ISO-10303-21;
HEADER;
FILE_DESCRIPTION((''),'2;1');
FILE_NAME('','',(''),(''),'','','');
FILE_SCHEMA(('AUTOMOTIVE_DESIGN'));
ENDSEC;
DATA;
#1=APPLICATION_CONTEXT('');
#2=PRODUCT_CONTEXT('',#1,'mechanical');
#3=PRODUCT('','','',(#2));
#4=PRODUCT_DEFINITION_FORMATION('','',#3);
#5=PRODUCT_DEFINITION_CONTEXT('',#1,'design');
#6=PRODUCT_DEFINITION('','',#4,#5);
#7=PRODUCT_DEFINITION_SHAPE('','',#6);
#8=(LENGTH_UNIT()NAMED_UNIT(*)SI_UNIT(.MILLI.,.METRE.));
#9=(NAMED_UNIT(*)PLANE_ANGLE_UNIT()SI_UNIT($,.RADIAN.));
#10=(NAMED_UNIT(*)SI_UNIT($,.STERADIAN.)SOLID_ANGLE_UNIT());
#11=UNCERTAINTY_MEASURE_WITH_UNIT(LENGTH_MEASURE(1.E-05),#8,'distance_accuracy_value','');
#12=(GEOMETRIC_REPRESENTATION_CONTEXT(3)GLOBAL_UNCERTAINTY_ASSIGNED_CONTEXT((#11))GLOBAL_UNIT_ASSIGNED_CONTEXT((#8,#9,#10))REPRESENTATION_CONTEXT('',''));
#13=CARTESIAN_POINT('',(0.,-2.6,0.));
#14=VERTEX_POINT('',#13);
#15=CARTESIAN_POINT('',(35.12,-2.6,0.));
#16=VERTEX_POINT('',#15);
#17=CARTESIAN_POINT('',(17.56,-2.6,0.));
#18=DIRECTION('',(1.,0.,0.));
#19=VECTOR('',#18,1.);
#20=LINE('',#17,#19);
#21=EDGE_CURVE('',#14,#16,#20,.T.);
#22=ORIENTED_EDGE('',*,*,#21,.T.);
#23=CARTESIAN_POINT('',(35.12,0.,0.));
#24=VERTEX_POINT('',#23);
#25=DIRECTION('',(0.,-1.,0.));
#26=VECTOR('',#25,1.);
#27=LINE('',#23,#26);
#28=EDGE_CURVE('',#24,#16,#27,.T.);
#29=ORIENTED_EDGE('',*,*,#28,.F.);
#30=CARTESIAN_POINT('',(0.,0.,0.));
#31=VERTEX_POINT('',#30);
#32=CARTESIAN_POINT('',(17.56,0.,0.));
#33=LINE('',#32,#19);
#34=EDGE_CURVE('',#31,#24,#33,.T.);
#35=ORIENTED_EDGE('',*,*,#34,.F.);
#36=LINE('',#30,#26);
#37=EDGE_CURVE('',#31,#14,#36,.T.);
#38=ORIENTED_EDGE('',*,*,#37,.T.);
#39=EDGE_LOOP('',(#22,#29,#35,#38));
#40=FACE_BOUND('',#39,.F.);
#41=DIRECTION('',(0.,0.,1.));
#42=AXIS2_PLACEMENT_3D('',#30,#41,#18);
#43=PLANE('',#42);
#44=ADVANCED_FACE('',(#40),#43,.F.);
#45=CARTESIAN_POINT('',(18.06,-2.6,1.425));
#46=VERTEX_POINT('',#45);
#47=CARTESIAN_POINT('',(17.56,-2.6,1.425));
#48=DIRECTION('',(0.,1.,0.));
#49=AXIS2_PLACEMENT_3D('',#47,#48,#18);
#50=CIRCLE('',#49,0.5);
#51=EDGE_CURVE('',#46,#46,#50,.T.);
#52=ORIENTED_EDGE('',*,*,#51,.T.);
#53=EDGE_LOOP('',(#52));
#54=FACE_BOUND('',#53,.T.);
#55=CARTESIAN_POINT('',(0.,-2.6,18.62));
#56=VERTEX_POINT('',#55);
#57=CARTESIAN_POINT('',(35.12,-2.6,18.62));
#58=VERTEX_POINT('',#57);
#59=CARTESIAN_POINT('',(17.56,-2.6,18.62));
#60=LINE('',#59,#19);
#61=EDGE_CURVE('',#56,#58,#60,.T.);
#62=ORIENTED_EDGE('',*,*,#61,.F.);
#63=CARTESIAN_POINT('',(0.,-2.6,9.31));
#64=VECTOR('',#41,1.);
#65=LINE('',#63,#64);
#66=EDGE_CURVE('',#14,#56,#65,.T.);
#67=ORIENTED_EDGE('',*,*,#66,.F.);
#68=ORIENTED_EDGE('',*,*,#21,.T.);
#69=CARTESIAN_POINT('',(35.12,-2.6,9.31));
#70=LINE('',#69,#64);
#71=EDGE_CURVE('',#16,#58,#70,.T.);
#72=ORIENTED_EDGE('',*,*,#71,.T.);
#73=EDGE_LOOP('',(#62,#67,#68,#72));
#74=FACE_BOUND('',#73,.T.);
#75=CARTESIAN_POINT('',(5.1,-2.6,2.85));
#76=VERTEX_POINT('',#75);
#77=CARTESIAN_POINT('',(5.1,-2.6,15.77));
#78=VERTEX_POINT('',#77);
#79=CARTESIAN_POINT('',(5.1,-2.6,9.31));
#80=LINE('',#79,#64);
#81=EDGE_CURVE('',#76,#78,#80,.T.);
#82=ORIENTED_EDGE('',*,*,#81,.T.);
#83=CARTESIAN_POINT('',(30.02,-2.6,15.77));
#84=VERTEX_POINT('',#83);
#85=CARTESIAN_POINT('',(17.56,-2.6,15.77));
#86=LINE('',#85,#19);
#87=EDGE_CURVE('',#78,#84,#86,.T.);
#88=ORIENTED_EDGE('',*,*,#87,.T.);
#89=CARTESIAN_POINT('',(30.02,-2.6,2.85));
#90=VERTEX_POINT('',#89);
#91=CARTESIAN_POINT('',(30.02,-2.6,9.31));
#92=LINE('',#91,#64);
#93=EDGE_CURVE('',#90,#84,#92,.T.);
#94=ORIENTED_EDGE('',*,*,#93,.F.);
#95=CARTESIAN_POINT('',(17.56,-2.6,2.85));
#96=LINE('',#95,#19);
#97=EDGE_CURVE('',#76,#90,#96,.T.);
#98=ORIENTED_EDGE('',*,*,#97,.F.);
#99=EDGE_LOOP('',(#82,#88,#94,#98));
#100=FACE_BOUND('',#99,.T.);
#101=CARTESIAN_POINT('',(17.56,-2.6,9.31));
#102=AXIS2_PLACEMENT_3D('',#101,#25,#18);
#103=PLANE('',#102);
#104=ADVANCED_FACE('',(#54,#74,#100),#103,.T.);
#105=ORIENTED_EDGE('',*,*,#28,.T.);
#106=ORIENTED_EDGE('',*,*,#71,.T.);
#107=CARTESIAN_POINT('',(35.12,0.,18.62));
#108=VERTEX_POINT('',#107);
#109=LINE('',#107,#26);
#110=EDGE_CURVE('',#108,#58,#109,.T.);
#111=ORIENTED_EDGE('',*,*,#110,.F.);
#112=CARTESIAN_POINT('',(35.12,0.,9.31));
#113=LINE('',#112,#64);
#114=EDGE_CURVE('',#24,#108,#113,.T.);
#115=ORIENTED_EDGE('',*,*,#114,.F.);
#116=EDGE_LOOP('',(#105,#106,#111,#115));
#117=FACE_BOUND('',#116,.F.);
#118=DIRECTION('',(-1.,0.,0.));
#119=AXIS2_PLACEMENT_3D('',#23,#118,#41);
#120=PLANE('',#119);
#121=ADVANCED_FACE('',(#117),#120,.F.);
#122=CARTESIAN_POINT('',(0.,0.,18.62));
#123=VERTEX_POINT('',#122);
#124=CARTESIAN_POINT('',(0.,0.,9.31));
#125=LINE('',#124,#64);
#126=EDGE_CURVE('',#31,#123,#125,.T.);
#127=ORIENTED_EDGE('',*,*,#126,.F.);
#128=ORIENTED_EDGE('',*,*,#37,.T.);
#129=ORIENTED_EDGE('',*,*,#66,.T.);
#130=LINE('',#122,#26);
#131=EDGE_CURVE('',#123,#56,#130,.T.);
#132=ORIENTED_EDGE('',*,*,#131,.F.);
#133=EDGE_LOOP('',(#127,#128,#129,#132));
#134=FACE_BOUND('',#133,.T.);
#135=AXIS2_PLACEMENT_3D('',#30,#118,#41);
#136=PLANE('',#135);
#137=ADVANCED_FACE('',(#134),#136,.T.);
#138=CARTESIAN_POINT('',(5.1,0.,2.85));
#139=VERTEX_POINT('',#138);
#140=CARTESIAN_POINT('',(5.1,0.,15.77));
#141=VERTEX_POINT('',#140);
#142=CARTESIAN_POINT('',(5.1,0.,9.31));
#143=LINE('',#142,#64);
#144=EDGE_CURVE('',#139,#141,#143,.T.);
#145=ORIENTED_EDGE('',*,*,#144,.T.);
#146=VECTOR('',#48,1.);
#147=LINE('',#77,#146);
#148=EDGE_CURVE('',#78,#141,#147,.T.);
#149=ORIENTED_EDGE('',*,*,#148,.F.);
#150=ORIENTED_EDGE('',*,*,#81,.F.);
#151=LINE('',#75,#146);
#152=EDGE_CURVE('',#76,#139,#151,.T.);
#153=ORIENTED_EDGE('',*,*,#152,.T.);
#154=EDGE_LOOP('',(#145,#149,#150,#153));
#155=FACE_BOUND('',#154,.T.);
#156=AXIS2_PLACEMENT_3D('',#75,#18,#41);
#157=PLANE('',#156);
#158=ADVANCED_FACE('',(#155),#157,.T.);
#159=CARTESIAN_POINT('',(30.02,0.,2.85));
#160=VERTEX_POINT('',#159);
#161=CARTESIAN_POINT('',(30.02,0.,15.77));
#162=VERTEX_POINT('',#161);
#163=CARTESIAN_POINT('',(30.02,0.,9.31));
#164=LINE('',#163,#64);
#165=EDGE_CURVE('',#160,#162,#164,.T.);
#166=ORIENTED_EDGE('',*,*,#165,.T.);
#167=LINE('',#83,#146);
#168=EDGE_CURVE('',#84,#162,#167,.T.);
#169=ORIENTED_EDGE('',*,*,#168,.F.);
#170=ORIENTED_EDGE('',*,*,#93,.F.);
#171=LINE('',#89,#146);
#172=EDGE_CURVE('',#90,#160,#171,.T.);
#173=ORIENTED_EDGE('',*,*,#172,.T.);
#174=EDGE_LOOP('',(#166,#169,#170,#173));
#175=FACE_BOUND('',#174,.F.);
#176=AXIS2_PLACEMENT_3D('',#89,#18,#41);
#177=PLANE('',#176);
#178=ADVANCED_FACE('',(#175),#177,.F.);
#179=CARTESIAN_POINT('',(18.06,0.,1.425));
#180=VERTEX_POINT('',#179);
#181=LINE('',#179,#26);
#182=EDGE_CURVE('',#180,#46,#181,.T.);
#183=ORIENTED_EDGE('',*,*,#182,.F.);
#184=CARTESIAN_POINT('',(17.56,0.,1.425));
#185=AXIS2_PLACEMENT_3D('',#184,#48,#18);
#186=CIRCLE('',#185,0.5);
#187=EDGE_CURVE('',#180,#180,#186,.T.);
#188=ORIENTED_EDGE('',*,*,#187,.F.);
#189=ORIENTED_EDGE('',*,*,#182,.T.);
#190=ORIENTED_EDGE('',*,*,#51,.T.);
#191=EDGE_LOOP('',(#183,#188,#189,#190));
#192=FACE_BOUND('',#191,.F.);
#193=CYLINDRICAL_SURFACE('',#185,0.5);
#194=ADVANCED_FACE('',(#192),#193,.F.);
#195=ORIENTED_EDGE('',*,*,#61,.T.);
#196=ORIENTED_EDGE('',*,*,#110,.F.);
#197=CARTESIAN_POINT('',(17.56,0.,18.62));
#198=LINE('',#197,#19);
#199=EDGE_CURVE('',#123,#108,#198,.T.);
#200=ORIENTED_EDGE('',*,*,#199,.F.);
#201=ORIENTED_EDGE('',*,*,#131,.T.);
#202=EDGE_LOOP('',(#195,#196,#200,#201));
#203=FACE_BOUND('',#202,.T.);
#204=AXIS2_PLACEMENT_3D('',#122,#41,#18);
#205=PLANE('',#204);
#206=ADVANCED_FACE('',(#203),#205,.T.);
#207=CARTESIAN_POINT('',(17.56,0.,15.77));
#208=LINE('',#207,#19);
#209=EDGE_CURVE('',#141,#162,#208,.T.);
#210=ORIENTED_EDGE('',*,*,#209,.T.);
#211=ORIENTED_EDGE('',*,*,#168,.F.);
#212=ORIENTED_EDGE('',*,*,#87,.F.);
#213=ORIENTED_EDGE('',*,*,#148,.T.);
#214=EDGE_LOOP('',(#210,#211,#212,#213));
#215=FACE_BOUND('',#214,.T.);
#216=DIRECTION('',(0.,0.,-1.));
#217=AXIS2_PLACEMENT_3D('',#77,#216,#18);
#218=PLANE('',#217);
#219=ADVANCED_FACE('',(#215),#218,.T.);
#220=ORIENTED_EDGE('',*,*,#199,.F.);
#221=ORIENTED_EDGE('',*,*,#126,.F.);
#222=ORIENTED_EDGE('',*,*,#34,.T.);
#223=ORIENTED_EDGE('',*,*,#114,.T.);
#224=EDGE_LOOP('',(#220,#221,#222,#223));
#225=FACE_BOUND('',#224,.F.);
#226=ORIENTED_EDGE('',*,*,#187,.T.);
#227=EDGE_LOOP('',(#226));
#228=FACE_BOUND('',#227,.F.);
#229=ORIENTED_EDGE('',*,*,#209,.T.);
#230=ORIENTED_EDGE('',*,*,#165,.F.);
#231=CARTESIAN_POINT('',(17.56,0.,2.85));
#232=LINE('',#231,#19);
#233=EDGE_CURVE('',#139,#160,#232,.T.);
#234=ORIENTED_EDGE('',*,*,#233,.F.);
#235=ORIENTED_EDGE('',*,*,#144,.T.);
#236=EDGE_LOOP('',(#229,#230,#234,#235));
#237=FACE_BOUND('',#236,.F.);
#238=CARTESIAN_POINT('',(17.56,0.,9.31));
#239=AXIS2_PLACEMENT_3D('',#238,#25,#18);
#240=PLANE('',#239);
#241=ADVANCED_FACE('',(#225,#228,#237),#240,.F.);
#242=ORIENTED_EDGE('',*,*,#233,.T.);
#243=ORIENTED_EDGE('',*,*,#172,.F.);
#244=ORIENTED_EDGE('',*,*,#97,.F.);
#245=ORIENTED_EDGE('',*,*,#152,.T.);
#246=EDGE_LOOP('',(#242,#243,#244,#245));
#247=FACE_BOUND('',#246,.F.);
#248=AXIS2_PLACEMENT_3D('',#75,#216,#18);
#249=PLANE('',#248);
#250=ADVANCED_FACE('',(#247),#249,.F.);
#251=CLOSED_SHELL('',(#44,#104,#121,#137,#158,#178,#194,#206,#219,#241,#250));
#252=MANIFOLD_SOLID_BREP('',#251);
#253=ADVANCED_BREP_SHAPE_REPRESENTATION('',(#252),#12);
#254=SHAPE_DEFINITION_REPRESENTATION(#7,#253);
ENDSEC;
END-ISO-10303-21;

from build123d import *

# Parameters (mm, degrees)
SKETCH_W        = 35.12
SKETCH_H        = 18.62
PAD_DEPTH       = 2.6
SKETCH002_W     = 24.92
SKETCH002_H     = 12.92
POCKET_DEPTH    = 2.6
SKETCH003_R     = 0.5
SKETCH003_W     = 2.01
SKETCH003_H     = 3.5
POCKET001_DEPTH = 5


with BuildPart() as part:
    # Sketch → Pad (new body)
    with BuildSketch(Plane.XZ):
        with Locations((17.56, 9.31)):
            Rectangle(SKETCH_W, SKETCH_H)
    extrude(amount=PAD_DEPTH)

    # Sketch002 (on Face6 of Pad) → Pocket (cut)
    with BuildSketch(Plane.XZ.offset(2.6)):
        with Locations((17.56, 9.31)):
            Rectangle(SKETCH002_W, SKETCH002_H)
    extrude(amount=-POCKET_DEPTH, mode=Mode.SUBTRACT)

    # Sketch003 (on Face4 of Pocket) → Pocket001 (cut)
    with BuildSketch(Plane(origin=(0, 0, 0), x_dir=(1, 0, 0), z_dir=(0, 1, 0))):
        with Locations((17.56, -1.425)):
            Circle(SKETCH003_R)
        with Locations((27.953742, -8.544061)):
            Rectangle(SKETCH003_W, SKETCH003_H)
    extrude(amount=-POCKET001_DEPTH, mode=Mode.SUBTRACT)


solid = part.part
